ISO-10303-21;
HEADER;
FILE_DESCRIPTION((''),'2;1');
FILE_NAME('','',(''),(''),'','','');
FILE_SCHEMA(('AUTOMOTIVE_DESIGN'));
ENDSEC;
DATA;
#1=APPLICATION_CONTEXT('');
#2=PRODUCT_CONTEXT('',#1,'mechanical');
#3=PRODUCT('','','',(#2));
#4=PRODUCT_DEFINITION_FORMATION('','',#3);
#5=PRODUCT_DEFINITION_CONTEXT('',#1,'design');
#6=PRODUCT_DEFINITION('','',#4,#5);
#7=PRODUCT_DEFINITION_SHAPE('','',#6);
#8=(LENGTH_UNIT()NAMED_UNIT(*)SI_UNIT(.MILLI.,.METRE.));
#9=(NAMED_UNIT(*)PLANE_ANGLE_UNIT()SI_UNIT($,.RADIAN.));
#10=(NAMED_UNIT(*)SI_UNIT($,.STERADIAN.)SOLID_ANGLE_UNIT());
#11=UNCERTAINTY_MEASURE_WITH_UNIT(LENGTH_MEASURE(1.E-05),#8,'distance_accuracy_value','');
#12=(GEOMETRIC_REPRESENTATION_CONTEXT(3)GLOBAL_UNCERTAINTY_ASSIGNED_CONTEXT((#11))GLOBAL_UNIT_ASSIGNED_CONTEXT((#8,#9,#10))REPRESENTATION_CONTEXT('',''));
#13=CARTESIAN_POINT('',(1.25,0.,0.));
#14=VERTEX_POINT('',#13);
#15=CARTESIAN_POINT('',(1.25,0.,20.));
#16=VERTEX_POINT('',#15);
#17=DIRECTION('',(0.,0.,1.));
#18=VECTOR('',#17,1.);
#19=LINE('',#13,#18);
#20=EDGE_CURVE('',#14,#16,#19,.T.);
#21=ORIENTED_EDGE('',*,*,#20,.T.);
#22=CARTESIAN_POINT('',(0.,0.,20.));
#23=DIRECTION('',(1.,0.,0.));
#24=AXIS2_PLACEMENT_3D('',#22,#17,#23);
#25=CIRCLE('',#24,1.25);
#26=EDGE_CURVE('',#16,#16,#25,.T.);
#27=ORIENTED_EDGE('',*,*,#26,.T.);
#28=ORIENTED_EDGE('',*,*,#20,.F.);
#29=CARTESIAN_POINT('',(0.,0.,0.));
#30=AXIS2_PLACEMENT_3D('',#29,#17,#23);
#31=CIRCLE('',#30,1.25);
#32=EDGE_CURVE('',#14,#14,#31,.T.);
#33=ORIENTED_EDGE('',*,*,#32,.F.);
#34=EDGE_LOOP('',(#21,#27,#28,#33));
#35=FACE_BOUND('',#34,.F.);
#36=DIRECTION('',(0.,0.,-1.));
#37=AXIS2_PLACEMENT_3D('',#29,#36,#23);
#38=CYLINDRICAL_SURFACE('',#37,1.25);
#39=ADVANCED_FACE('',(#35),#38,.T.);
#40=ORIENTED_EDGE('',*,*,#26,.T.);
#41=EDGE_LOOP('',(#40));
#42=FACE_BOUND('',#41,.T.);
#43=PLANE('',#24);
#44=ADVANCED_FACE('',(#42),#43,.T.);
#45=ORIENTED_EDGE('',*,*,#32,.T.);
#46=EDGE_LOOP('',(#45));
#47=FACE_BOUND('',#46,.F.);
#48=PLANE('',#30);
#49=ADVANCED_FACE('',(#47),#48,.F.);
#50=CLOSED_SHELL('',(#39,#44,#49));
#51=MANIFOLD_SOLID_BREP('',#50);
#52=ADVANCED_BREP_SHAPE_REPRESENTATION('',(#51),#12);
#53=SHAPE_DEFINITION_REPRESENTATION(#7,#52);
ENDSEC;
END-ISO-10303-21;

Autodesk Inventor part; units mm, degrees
ref_plane "YZ Plane" through (0, 0, 0) normal (1, 0, 0) x (0, 1, 0)
ref_plane "XZ Plane" through (0, 0, 0) normal (0, 1, 0) x (-1, 0, 0)
ref_plane "XY Plane" through (0, 0, 0) normal (0, 0, 1) x (1, 0, 0)
sketch "Sketch1" plane through (0, 0, 0) normal (0, 0, 1) x (1, 0, 0)
  circle A0 centre (0, 0) radius 1.25
  dimension "d0" = 2.5
extrude "Extrusion1" add sketch "Sketch1" along normal blind 20
thread "Thread1" size "M2.5x0.45" class "6g" standard "ISO Metric profile" length 35.9
properties part number "6.2"
